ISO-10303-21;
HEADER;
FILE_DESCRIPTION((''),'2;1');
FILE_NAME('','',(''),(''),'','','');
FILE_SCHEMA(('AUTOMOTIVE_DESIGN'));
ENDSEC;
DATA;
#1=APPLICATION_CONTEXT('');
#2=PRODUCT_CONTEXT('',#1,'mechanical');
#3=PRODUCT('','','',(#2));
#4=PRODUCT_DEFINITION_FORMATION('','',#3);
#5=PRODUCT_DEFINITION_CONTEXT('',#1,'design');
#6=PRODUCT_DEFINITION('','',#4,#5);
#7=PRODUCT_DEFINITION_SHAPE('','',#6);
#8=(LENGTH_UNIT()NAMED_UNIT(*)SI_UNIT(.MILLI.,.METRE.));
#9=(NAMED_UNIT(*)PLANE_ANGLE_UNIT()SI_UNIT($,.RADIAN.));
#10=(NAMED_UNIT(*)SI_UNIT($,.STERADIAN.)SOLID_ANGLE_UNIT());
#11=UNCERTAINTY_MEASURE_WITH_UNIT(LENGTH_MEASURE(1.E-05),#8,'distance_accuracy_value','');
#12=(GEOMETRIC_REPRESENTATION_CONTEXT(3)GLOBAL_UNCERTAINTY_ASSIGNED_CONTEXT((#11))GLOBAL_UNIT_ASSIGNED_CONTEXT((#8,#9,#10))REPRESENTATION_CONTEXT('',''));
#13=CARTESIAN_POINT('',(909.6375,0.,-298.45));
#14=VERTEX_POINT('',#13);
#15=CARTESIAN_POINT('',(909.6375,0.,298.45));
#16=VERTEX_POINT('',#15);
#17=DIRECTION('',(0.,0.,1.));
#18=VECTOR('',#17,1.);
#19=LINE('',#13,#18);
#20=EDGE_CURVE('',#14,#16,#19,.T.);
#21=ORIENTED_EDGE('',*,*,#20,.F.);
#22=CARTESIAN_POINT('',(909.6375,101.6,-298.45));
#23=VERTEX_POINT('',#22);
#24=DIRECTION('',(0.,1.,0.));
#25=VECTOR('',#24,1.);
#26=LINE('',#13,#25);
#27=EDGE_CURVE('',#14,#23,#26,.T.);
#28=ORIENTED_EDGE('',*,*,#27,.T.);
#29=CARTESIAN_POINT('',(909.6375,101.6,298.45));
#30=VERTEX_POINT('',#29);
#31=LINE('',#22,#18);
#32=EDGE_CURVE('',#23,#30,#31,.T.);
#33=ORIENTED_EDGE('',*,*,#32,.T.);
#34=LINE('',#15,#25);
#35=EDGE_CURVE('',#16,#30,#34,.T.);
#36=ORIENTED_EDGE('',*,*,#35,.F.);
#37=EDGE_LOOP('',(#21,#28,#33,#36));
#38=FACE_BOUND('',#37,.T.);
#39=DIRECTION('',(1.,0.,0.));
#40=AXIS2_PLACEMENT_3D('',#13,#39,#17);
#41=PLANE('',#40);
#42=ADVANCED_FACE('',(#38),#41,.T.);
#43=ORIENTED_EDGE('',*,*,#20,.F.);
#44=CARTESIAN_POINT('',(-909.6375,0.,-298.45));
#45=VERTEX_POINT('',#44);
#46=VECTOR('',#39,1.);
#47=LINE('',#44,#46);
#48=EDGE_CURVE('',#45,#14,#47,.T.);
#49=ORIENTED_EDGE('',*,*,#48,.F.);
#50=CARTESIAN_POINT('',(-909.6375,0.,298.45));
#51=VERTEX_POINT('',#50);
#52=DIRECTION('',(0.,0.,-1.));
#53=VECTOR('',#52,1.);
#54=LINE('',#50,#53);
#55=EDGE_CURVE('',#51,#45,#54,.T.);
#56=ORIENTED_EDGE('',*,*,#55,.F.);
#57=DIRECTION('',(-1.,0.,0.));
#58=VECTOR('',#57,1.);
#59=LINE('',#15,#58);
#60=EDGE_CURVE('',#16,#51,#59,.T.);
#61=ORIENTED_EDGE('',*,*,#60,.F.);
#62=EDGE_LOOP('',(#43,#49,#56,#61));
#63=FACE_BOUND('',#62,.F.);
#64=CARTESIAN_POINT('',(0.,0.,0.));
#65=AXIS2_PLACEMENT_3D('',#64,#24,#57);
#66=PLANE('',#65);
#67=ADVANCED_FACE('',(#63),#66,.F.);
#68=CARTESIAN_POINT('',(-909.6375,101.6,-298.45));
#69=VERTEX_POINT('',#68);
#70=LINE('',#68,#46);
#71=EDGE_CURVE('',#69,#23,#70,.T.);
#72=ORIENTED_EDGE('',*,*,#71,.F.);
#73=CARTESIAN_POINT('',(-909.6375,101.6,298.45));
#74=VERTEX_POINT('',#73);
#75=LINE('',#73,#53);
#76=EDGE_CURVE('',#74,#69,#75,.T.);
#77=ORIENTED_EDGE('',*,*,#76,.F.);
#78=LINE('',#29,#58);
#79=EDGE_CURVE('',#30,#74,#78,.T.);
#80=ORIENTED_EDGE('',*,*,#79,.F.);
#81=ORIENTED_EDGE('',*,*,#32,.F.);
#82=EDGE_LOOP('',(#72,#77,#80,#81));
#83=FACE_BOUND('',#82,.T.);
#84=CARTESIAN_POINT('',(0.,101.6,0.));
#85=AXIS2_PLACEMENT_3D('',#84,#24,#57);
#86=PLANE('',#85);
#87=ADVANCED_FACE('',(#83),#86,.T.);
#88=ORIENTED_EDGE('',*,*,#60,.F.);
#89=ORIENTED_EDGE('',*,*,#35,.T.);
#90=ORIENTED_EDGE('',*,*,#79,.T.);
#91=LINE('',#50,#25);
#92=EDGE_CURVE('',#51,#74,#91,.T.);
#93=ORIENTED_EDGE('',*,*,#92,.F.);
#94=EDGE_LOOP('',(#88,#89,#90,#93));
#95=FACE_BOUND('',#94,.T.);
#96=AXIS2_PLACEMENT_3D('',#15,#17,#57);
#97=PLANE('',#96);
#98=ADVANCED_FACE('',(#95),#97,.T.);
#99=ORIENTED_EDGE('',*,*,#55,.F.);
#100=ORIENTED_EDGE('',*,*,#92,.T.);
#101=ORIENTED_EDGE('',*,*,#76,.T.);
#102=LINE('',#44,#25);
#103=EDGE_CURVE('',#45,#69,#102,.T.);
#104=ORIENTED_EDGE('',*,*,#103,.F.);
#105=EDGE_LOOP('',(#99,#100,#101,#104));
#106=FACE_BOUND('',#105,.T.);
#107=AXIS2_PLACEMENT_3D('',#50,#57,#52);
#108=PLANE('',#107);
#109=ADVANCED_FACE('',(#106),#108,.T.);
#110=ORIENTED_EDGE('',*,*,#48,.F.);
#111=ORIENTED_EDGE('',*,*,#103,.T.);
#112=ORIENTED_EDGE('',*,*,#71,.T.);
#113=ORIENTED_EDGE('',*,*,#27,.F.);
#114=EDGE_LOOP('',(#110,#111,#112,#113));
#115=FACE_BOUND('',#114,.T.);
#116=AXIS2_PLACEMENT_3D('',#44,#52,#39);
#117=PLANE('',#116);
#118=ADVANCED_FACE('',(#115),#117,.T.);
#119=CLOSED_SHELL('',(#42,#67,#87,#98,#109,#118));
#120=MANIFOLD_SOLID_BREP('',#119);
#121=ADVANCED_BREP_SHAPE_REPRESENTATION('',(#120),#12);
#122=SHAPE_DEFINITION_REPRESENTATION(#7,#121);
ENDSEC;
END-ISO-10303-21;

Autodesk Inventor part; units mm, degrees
ref_plane "YZ Plane" through (0, 0, 0) normal (1, 0, 0) x (0, 1, 0)
ref_plane "XZ Plane" through (0, 0, 0) normal (0, 1, 0) x (-1, 0, 0)
ref_plane "XY Plane" through (0, 0, 0) normal (0, 0, 1) x (1, 0, 0)
sketch "Sketch1" plane through (0, 0, 0) normal (0, 1, 0) x (-1, 0, 0)
  line L0 (909.6375, -298.45) -> (-909.6375, -298.45)
  line L1 (-909.6375, -298.45) -> (-909.6375, 298.45)
  line L2 (-909.6375, 298.45) -> (909.6375, 298.45)
  line L3 (909.6375, 298.45) -> (909.6375, -298.45)
  line L4 (909.6375, -298.45) -> (-909.6375, 298.45) construction
  line L5 (-909.6375, -298.45) -> (909.6375, 298.45) construction
  point P0 (0, 0)
  dimension "d0" = 1819.275
  dimension "d1" = 596.9
extrude "Extrusion1" add sketch "Sketch1" along normal blind 101.6
properties part number "cap - 6" material "Granite, Cut, Polished"
